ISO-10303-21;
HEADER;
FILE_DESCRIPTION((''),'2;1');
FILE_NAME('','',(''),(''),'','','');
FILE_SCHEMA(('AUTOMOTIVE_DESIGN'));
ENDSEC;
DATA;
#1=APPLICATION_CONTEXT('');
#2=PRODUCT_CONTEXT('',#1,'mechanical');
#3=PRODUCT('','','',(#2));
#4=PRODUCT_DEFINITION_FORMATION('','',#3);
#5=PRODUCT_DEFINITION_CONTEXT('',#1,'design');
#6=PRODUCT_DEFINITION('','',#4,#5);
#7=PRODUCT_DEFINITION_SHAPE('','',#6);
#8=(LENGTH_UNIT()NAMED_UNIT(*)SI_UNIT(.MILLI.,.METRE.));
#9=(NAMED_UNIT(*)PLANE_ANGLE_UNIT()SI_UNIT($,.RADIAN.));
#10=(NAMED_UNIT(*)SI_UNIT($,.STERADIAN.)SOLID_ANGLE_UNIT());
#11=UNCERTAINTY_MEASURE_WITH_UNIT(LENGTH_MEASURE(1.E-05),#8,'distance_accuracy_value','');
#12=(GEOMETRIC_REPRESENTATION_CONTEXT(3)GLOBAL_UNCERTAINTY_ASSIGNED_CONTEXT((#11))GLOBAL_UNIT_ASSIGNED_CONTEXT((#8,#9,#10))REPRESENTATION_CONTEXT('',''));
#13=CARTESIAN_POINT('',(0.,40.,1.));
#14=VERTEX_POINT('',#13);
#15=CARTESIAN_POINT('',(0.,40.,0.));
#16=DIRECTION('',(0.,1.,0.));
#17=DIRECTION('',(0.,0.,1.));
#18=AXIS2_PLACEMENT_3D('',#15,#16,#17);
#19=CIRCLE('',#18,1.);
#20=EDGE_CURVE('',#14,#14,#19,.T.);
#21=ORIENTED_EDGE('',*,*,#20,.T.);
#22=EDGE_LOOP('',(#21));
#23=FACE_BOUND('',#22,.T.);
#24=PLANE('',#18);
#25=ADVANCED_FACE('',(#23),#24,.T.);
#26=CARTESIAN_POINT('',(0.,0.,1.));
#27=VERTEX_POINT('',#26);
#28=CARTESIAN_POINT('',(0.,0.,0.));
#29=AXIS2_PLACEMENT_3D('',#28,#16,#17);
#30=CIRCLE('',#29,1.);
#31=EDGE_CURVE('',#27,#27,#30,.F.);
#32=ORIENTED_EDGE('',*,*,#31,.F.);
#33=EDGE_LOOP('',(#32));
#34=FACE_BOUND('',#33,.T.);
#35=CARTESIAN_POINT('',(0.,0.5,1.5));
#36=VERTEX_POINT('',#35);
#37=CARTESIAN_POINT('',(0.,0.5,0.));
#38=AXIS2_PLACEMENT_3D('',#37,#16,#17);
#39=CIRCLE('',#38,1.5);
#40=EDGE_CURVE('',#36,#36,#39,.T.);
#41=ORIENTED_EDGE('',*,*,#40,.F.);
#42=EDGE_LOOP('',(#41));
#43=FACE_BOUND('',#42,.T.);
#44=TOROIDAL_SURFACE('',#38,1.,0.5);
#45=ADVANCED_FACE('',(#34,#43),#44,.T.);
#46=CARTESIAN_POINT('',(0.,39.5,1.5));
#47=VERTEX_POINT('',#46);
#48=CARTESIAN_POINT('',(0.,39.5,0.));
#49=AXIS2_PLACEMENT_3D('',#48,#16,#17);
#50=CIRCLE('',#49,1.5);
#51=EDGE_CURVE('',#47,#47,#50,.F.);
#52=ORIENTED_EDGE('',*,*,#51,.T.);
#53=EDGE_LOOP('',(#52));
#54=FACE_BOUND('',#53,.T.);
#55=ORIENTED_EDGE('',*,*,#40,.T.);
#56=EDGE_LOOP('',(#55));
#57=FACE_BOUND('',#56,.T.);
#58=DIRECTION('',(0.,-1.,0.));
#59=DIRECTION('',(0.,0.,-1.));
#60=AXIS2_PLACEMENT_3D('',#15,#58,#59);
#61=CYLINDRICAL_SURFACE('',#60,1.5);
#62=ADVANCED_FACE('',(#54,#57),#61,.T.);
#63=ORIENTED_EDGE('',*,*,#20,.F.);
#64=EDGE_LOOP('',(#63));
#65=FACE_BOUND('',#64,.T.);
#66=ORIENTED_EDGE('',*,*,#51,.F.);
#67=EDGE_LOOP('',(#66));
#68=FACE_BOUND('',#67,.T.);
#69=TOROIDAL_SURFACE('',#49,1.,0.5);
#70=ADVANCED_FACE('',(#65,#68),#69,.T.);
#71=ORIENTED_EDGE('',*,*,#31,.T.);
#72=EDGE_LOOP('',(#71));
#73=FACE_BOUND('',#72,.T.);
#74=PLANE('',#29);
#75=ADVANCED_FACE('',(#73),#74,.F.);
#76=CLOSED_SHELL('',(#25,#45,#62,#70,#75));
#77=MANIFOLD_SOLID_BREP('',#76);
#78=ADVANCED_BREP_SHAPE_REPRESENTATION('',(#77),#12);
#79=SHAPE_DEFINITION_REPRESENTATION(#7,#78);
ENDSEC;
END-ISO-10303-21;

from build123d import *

# Parameters (mm, degrees)
SKETCH2_R           = 1.5
BOSS_EXTRUDE1_DEPTH = 40
FILLET1_R           = 0.5


with BuildPart() as part:
    # Sketch2 → Boss-Extrude1 (new body)
    with BuildSketch(Plane(origin=(0, 0, 0), x_dir=(1, 0, 0), z_dir=(0, 1, 0))):
        Circle(SKETCH2_R)
    extrude(amount=BOSS_EXTRUDE1_DEPTH)

    # Fillet1
    fillet1_edges = [part.edges().sort_by_distance(p)[0] for p in [
        (-1.5, 0, 0),
        (-1.5, 40, 0),
    ]]
    fillet(fillet1_edges, radius=FILLET1_R)


solid = part.part
